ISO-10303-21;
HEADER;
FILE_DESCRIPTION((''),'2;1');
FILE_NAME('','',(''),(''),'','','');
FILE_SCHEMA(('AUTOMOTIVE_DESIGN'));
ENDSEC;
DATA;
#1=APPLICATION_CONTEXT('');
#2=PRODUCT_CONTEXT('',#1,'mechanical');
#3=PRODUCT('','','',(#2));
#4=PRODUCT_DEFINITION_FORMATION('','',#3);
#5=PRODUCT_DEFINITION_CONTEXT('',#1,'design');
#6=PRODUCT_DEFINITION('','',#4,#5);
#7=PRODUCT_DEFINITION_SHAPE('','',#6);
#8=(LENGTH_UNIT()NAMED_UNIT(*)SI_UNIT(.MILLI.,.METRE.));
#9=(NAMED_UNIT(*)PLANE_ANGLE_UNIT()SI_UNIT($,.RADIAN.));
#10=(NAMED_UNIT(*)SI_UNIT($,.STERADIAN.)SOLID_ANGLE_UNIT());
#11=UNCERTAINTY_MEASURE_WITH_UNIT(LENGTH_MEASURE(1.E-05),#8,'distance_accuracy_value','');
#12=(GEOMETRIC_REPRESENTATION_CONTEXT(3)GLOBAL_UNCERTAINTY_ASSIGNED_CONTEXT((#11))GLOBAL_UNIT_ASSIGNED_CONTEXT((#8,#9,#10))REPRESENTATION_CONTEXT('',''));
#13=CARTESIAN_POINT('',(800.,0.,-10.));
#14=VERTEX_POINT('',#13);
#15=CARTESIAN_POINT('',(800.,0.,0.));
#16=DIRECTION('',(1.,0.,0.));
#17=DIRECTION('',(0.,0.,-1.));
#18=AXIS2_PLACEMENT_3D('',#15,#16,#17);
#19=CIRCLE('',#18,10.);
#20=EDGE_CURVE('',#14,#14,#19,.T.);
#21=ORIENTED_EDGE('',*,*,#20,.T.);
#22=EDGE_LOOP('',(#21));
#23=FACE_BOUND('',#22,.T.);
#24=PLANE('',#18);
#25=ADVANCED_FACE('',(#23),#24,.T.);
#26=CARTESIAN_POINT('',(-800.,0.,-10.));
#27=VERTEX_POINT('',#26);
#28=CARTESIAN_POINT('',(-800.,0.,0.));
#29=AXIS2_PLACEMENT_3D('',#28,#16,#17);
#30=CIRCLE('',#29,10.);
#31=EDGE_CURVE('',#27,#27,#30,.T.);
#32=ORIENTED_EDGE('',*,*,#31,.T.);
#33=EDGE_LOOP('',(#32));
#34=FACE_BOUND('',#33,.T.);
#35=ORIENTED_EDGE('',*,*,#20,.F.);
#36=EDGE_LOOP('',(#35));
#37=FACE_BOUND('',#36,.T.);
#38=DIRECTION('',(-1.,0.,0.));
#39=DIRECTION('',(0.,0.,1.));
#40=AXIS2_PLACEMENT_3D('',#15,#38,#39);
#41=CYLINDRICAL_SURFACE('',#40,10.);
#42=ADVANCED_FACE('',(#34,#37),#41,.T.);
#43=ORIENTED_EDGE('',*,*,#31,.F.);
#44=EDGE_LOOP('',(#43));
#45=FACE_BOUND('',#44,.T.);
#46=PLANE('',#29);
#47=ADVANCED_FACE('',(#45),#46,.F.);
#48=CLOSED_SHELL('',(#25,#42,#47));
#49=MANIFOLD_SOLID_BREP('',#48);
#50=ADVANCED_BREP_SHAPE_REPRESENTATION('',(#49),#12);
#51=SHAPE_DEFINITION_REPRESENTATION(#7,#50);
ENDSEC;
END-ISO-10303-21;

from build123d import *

# Parameters (mm, degrees)
SKETCH_1_R      = 10
EXTRUDE_1_DEPTH = 800


with BuildPart() as part:
    # Эскиз1 → Бобышка-Вытянуть1 (new, symmetric)
    with BuildSketch(Plane(origin=(0, 0, 0), x_dir=(0, 0, -1), z_dir=(1, 0, 0))):
        Circle(SKETCH_1_R)
    extrude(amount=EXTRUDE_1_DEPTH, both=True)


solid = part.part
